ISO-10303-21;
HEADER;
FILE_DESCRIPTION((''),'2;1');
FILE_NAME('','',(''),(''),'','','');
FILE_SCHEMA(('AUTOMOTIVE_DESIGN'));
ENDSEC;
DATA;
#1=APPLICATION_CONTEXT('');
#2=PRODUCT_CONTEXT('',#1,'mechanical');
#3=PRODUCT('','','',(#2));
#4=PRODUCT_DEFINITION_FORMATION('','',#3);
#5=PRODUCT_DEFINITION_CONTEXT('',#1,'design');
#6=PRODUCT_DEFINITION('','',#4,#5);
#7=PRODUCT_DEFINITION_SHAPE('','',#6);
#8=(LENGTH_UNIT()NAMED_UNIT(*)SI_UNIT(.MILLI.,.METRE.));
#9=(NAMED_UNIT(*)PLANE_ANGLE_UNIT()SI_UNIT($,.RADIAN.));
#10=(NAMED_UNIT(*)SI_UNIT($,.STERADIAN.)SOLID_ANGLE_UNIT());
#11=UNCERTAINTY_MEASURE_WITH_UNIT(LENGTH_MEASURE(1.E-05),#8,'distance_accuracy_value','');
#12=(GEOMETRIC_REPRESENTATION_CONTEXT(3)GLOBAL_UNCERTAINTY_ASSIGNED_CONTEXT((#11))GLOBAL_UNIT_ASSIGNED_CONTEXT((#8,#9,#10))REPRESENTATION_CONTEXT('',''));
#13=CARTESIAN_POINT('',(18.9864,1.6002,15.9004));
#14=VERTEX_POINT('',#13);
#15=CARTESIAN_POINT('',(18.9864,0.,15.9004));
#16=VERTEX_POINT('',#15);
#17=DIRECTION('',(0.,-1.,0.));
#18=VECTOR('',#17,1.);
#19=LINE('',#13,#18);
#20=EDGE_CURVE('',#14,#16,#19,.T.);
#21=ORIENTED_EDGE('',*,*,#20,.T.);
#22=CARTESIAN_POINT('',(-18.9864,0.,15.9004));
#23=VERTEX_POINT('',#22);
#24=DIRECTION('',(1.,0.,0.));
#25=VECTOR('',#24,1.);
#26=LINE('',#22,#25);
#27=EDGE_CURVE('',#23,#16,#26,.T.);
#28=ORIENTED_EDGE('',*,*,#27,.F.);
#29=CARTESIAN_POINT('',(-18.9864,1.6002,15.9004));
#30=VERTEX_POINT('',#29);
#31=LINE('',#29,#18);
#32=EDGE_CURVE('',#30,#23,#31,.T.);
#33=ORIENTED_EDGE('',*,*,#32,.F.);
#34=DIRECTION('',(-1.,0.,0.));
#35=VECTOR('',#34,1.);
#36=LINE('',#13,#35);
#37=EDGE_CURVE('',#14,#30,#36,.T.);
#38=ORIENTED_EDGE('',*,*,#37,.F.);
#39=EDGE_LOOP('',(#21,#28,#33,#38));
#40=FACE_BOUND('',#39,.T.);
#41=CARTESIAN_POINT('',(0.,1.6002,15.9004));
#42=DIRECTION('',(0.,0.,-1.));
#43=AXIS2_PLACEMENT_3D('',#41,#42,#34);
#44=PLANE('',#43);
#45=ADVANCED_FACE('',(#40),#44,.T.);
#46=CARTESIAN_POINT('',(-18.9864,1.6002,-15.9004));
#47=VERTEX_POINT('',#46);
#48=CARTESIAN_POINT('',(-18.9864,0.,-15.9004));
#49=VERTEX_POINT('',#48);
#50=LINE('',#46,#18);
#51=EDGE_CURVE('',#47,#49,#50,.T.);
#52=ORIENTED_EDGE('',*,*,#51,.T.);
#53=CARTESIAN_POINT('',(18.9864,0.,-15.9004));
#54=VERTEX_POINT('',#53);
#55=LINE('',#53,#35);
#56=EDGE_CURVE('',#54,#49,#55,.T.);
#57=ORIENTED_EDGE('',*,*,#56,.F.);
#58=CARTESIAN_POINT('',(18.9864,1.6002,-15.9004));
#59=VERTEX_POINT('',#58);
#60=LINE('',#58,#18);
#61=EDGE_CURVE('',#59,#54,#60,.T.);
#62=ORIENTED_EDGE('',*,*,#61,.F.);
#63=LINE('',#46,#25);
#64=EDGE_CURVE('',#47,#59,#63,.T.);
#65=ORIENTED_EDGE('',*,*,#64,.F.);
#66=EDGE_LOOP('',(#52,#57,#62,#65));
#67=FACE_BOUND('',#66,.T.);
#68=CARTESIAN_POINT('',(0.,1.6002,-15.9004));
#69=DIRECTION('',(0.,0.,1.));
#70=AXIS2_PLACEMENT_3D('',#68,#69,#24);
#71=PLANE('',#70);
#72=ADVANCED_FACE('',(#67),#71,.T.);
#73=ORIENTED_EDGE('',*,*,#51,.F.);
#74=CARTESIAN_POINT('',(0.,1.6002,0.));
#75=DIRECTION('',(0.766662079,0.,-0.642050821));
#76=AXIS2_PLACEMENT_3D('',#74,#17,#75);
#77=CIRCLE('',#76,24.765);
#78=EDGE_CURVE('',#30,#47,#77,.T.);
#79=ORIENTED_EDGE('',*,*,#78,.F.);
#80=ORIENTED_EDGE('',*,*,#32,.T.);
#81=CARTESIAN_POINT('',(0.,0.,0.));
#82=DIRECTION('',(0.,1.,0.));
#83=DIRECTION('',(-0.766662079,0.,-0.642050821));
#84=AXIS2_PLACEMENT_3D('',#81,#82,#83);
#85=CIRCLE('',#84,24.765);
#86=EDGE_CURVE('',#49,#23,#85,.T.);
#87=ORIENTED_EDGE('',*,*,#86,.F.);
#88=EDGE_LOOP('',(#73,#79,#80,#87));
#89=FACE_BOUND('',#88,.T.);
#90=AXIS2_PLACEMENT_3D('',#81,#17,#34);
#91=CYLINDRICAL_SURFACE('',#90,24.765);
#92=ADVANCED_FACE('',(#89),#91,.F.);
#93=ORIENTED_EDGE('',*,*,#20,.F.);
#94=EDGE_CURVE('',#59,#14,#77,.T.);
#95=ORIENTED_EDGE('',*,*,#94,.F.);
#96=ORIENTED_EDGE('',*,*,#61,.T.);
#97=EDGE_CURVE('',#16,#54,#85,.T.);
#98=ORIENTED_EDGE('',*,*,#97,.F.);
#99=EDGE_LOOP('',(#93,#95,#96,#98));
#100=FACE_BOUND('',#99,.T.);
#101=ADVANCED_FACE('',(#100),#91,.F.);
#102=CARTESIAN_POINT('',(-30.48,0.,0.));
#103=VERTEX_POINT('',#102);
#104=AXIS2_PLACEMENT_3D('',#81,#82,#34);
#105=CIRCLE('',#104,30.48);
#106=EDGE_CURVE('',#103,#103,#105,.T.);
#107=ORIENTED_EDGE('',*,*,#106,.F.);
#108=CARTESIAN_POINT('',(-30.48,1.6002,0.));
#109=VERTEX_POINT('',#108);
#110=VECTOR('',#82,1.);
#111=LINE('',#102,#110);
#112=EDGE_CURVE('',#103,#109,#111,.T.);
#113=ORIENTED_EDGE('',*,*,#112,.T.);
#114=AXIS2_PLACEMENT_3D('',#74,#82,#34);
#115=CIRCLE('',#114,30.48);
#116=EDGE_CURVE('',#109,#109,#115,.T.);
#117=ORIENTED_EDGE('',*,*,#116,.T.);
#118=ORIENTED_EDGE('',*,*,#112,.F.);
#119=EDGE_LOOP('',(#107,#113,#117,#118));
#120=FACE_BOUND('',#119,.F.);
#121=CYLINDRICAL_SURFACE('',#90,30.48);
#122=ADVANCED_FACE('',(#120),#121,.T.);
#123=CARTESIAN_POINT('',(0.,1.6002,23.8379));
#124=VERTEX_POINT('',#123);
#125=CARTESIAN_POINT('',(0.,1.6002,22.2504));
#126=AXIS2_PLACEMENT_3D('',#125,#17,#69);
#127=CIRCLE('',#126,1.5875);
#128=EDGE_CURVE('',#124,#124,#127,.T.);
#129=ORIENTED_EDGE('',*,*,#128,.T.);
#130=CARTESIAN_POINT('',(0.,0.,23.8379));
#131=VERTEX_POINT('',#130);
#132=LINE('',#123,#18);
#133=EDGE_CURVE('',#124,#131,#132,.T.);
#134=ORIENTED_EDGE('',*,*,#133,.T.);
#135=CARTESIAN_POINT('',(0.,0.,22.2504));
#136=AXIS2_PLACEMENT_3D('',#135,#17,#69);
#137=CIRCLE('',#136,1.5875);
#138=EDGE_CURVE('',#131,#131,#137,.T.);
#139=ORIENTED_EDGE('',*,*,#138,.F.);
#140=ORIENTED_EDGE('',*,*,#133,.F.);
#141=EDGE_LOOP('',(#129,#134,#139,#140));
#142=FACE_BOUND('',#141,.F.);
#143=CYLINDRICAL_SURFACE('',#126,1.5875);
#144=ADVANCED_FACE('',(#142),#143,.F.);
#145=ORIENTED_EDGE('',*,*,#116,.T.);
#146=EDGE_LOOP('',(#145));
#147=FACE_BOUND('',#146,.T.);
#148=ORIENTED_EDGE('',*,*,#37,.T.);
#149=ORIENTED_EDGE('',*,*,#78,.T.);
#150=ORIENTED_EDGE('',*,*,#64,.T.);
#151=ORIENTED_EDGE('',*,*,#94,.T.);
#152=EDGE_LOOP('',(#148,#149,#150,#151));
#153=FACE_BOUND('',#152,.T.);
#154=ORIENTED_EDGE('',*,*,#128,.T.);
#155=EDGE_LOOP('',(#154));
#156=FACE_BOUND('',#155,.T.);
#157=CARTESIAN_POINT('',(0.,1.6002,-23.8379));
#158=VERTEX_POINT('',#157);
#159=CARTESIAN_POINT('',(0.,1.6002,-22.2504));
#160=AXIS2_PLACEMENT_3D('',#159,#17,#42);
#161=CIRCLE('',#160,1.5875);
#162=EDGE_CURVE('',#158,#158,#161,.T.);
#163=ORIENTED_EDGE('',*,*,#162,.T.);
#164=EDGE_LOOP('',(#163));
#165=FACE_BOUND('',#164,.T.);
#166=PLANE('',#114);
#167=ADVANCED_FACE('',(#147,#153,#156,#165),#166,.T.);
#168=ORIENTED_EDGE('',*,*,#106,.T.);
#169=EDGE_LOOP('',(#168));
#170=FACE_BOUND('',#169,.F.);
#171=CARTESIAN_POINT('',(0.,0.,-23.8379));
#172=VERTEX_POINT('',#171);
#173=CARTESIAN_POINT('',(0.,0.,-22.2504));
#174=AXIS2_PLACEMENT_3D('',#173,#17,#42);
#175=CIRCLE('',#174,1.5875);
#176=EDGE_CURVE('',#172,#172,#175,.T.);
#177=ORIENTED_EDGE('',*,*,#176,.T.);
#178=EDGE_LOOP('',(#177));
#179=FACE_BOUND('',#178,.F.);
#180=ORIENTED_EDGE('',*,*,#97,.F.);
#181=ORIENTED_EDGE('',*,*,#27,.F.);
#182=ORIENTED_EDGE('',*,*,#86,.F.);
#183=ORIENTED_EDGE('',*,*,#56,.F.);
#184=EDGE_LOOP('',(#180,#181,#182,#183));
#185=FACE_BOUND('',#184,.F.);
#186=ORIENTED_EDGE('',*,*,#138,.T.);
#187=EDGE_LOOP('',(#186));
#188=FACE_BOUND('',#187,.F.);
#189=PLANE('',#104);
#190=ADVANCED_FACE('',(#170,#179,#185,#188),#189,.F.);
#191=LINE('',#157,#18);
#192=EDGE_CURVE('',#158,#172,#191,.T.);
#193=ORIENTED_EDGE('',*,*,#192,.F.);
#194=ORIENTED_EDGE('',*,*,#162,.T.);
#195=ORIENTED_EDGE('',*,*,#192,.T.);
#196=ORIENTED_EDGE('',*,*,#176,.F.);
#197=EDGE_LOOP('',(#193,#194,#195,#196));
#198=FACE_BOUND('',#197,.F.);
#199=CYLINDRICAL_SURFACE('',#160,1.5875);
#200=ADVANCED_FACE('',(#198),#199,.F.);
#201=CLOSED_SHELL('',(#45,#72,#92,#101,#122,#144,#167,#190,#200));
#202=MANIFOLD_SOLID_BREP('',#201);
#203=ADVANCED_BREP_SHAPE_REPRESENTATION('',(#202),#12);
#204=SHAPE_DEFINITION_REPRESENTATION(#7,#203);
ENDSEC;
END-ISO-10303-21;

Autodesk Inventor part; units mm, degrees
ref_plane "YZ Plane" through (0, 0, 0) normal (1, 0, 0) x (0, 1, 0)
ref_plane "XZ Plane" through (0, 0, 0) normal (0, 1, 0) x (-1, 0, 0)
ref_plane "XY Plane" through (0, 0, 0) normal (0, 0, 1) x (1, 0, 0)
sketch "Sketch1" plane through (0, 0, 0) normal (0, 1, 0) x (-1, 0, 0)
  circle A0 centre (0, 0) radius 24.765
  circle A1 centre (0, 0) radius 30.48
  dimension "d0" = 49.53
  dimension "d1" = 60.96
extrude "Extrusion1" add sketch "Sketch1" along normal blind 1.6002
sketch "Sketch2" plane through (0, 1.6002, 0) normal (0, 1, 0) x (1, 0, 0)
  line L0 (0, 0) -> (0, 15.9004)
  line L1 (0, 15.9004) -> (-18.9864, 15.9004)
  circle A0 centre (0, 0) radius 24.765 projected
  line L2 (0, 15.9004) -> (18.9864, 15.9004)
  dimension "d4" = 15.9004
extrude "Extrusion2" add sketch "Sketch2" against normal blind 1.6002 contours L1 A0 L2 picked at (-11.1522, 17.2995)
pattern_circular "Circular Pattern1" count 2 over 360 about axis through (0, 0, 0) along (0, 1, 0) of "Extrusion2"
sketch "Sketch3" plane through (0, 1.6002, 0) normal (0, 1, 0) x (1, 0, 0)
  circle A0 centre (0, 0) radius 30.48 projected
  line L0 (-18.9864, -15.9004) -> (18.9864, -15.9004) projected
  line L1 (0, 0) -> (0, -22.2504)
  dimension "d11" = 22.2504
hole "Hole1" at (0, 1.6002, 22.2504) direction (0, -1, 0) diameter 3.175 depth 25.4 tip angle 118
pattern_circular "Circular Pattern2" count 2 over 360 about axis through (0, 0, 0) along (0, 1, 0) of "Hole1"
properties part number "retainer"
